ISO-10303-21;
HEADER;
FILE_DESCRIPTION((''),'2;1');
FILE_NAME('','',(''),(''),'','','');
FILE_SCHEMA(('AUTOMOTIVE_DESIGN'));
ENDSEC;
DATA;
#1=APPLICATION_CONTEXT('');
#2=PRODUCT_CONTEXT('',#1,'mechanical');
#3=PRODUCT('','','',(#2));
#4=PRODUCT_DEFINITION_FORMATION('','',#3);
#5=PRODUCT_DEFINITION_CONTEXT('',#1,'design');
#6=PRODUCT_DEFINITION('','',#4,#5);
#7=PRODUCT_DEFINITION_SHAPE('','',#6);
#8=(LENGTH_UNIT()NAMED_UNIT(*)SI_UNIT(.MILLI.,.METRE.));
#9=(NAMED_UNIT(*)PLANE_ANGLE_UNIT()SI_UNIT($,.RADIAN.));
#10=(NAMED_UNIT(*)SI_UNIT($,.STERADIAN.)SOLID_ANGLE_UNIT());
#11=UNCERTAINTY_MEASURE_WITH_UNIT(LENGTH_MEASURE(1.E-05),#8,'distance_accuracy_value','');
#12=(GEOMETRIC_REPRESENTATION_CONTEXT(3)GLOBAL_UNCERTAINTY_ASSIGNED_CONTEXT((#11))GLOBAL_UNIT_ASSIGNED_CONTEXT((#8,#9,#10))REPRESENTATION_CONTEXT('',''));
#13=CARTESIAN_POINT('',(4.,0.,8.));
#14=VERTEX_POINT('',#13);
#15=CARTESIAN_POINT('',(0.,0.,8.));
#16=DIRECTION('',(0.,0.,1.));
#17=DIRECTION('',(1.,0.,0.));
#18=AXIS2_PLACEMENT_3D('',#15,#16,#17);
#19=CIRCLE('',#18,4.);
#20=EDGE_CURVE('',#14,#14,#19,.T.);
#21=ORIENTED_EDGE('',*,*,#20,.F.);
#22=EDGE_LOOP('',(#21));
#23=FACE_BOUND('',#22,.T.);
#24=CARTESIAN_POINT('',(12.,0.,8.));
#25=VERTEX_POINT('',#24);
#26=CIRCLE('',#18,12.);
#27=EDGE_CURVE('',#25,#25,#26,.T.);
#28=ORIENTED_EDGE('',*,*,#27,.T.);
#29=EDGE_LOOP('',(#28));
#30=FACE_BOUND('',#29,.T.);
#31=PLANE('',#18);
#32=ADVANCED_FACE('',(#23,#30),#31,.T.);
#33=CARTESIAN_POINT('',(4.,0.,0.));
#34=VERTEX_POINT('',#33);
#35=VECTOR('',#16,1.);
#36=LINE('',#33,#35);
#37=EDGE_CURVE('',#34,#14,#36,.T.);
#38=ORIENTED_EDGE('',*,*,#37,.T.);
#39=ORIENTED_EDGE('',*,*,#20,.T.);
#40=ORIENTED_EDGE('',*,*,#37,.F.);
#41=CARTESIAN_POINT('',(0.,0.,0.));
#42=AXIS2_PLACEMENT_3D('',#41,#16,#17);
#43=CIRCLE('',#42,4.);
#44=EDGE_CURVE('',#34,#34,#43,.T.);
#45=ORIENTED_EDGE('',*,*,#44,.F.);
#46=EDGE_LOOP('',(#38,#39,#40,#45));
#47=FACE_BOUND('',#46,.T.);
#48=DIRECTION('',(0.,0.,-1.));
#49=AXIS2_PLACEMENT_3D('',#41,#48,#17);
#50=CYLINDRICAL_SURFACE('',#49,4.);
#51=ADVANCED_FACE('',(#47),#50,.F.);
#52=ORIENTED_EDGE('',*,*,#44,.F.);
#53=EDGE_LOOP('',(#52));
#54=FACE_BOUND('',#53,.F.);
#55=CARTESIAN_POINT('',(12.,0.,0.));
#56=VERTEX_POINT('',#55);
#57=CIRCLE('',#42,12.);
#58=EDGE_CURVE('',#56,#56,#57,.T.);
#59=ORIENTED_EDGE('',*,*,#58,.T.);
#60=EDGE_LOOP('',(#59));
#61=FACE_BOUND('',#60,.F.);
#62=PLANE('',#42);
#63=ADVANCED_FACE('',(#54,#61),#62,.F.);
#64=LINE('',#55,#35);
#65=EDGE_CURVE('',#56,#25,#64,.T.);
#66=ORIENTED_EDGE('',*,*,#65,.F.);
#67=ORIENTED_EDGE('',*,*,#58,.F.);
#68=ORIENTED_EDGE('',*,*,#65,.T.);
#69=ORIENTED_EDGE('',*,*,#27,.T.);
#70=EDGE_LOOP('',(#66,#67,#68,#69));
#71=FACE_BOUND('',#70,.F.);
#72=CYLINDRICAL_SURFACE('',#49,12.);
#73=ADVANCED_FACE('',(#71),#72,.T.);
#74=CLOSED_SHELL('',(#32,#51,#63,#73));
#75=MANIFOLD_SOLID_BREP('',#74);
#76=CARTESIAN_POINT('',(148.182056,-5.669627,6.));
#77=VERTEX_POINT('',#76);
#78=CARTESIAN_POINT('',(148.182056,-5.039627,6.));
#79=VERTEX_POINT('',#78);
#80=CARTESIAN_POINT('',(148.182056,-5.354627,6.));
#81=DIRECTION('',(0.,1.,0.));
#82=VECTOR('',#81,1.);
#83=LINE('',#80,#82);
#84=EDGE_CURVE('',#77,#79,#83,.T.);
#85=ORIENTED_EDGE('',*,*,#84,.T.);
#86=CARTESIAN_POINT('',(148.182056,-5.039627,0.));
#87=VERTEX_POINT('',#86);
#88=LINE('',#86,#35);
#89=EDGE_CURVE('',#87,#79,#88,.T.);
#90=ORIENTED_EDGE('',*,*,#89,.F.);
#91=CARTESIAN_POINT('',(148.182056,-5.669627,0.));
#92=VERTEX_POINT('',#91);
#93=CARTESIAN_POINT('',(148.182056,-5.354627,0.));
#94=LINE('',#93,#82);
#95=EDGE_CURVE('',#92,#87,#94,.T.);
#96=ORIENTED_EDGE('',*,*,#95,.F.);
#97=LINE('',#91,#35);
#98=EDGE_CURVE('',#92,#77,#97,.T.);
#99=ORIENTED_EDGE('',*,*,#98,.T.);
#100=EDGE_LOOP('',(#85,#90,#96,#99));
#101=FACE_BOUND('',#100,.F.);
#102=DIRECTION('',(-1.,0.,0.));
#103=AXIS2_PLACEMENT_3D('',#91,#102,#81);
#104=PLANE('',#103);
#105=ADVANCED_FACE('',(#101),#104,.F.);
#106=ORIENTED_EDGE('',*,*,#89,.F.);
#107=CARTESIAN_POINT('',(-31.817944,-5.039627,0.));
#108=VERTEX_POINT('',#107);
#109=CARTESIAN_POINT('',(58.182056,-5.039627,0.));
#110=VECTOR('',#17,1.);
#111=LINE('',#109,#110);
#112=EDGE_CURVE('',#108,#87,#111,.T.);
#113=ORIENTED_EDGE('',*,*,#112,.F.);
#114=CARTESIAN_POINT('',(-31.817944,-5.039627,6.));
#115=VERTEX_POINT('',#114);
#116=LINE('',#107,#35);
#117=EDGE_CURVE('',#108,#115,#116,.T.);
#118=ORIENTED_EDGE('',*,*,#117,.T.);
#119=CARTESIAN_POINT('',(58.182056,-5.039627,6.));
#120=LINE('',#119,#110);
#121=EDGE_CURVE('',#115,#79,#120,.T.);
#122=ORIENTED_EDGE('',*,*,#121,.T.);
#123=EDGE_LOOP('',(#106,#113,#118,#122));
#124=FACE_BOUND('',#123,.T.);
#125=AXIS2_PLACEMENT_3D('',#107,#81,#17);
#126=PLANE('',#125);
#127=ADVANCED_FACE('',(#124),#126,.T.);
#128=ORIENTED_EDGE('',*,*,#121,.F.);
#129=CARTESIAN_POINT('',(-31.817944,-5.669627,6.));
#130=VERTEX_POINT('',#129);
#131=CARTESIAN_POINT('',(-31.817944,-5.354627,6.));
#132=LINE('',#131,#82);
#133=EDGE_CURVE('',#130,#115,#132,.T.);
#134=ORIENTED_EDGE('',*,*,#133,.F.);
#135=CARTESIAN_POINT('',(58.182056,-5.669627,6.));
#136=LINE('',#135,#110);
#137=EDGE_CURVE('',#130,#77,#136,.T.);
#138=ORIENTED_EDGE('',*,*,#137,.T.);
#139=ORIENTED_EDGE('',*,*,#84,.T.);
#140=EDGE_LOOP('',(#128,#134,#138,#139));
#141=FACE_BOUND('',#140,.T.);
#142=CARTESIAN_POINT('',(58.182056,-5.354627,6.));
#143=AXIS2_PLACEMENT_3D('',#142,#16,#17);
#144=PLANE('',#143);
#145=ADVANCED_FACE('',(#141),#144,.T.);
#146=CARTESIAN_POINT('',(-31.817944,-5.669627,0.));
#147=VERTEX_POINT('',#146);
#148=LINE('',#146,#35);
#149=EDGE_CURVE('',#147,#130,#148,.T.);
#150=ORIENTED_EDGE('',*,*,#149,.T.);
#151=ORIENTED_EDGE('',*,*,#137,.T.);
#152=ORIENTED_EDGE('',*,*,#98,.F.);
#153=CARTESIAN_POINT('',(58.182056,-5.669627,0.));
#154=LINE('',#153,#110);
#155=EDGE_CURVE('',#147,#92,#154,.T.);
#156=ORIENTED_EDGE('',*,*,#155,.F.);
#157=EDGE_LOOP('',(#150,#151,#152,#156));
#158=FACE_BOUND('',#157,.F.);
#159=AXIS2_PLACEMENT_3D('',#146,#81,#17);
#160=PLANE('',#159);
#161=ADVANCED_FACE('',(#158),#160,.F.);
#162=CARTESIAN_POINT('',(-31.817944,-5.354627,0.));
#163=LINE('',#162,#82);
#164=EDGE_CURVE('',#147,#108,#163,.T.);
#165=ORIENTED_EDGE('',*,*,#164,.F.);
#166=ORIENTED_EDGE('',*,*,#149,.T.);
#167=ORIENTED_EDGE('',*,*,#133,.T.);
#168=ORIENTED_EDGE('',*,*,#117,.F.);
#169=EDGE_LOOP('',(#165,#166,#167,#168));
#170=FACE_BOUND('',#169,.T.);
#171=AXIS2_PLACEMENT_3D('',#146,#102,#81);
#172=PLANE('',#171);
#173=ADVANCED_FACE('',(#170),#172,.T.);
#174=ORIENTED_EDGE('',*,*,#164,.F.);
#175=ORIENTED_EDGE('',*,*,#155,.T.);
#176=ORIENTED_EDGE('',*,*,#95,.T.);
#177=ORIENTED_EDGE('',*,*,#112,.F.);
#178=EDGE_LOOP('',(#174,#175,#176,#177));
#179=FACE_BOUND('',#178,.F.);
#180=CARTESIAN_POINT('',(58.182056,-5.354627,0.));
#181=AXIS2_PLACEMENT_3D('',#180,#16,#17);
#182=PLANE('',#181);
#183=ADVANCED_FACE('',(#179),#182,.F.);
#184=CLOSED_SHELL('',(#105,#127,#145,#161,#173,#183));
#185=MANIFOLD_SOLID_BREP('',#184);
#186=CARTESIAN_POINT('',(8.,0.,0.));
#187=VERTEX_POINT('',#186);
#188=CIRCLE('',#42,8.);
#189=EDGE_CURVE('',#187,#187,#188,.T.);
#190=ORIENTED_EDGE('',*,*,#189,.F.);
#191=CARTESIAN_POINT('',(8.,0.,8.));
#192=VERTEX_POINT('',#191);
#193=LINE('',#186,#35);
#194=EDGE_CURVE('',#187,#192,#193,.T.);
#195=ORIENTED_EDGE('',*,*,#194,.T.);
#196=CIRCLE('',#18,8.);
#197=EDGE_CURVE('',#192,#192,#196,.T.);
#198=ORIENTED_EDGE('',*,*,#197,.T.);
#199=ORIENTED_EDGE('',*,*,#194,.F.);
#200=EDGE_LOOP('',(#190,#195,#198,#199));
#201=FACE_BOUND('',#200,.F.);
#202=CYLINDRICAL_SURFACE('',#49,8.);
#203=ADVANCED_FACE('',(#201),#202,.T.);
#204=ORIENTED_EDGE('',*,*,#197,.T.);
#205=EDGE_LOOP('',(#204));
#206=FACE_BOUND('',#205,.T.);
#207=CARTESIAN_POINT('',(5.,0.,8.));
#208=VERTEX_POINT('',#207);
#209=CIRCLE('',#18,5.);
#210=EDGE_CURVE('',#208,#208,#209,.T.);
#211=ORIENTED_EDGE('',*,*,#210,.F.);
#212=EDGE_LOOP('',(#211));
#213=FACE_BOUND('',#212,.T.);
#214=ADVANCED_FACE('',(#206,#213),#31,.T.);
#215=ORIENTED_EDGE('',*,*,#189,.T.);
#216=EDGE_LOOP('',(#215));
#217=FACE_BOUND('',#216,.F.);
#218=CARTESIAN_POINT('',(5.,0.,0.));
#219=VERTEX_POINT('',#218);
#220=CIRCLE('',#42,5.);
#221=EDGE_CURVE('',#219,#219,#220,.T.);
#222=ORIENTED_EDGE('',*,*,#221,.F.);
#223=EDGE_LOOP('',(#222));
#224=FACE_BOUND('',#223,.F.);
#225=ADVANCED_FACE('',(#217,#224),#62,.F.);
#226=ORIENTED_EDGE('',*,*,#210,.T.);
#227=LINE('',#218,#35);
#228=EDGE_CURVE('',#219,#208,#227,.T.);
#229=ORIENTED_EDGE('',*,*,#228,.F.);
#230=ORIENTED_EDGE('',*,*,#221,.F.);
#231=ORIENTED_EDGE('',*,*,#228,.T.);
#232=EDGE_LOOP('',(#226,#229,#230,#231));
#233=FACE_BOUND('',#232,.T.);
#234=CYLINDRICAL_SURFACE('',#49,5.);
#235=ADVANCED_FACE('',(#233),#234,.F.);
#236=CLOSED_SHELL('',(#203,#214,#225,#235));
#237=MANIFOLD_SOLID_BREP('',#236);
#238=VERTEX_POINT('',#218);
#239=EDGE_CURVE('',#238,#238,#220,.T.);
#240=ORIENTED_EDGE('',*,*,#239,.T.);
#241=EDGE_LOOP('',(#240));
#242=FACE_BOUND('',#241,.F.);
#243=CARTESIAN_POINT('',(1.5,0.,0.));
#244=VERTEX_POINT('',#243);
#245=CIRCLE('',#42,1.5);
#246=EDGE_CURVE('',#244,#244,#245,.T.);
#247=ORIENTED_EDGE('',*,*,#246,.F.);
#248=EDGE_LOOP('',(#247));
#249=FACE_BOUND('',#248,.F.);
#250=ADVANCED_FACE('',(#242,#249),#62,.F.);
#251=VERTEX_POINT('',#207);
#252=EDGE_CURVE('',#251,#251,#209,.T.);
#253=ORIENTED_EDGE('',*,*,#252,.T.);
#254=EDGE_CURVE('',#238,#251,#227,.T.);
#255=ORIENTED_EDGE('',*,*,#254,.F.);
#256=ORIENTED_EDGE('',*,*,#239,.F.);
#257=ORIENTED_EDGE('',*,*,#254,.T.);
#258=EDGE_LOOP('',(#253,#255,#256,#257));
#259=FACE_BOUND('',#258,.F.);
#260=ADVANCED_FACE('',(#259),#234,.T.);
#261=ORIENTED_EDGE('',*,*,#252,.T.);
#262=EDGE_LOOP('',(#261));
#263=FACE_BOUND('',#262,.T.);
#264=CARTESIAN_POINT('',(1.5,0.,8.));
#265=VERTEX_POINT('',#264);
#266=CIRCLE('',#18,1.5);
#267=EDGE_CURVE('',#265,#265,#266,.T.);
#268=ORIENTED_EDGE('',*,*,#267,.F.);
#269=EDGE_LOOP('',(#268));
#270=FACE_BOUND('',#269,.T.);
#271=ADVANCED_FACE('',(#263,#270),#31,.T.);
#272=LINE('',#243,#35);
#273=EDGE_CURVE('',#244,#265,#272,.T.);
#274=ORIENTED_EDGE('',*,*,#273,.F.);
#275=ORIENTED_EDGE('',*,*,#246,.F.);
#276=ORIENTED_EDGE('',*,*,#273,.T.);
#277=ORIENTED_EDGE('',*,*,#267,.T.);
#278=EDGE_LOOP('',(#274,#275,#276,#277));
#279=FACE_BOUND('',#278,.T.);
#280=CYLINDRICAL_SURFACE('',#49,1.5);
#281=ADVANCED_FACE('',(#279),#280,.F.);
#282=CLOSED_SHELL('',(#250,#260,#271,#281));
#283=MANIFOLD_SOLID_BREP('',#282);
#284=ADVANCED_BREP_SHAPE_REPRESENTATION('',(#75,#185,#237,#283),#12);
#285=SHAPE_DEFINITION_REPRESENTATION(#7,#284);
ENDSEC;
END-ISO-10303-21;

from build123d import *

# Parameters (mm, degrees)
F0_R     = 5
F0_R_2   = 1.5
F1_DEPTH = 8
F2_R     = 8
F2_R_2   = 5
F3_DEPTH = 8
F4_R     = 12
F4_R_2   = 4
F5_DEPTH = 8
F6_W     = 180
F6_H     = 0.63
F7_DEPTH = 6


with BuildPart() as f1:
    # F0 (on Top) → F1 (new body)
    with BuildSketch(Plane.XY):
        Circle(F0_R)
        Circle(F0_R_2, mode=Mode.SUBTRACT)
    extrude(amount=F1_DEPTH)


with BuildPart() as f3:
    # F2 (on Top) → F3 (new body)
    with BuildSketch(Plane.XY):
        Circle(F2_R)
        Circle(F2_R_2, mode=Mode.SUBTRACT)
    extrude(amount=F3_DEPTH)


with BuildPart() as f5:
    # F4 (on Top) → F5 (new body)
    with BuildSketch(Plane.XY):
        Circle(F4_R)
        Circle(F4_R_2, mode=Mode.SUBTRACT)
    extrude(amount=F5_DEPTH)


with BuildPart() as f7:
    # F6 (on Top) → F7 (new body)
    with BuildSketch(Plane.XY):
        with Locations((58.182056, -5.354627)):
            Rectangle(F6_W, F6_H)
    extrude(amount=F7_DEPTH)


solid = Compound([f1.part, f3.part, f5.part, f7.part])
